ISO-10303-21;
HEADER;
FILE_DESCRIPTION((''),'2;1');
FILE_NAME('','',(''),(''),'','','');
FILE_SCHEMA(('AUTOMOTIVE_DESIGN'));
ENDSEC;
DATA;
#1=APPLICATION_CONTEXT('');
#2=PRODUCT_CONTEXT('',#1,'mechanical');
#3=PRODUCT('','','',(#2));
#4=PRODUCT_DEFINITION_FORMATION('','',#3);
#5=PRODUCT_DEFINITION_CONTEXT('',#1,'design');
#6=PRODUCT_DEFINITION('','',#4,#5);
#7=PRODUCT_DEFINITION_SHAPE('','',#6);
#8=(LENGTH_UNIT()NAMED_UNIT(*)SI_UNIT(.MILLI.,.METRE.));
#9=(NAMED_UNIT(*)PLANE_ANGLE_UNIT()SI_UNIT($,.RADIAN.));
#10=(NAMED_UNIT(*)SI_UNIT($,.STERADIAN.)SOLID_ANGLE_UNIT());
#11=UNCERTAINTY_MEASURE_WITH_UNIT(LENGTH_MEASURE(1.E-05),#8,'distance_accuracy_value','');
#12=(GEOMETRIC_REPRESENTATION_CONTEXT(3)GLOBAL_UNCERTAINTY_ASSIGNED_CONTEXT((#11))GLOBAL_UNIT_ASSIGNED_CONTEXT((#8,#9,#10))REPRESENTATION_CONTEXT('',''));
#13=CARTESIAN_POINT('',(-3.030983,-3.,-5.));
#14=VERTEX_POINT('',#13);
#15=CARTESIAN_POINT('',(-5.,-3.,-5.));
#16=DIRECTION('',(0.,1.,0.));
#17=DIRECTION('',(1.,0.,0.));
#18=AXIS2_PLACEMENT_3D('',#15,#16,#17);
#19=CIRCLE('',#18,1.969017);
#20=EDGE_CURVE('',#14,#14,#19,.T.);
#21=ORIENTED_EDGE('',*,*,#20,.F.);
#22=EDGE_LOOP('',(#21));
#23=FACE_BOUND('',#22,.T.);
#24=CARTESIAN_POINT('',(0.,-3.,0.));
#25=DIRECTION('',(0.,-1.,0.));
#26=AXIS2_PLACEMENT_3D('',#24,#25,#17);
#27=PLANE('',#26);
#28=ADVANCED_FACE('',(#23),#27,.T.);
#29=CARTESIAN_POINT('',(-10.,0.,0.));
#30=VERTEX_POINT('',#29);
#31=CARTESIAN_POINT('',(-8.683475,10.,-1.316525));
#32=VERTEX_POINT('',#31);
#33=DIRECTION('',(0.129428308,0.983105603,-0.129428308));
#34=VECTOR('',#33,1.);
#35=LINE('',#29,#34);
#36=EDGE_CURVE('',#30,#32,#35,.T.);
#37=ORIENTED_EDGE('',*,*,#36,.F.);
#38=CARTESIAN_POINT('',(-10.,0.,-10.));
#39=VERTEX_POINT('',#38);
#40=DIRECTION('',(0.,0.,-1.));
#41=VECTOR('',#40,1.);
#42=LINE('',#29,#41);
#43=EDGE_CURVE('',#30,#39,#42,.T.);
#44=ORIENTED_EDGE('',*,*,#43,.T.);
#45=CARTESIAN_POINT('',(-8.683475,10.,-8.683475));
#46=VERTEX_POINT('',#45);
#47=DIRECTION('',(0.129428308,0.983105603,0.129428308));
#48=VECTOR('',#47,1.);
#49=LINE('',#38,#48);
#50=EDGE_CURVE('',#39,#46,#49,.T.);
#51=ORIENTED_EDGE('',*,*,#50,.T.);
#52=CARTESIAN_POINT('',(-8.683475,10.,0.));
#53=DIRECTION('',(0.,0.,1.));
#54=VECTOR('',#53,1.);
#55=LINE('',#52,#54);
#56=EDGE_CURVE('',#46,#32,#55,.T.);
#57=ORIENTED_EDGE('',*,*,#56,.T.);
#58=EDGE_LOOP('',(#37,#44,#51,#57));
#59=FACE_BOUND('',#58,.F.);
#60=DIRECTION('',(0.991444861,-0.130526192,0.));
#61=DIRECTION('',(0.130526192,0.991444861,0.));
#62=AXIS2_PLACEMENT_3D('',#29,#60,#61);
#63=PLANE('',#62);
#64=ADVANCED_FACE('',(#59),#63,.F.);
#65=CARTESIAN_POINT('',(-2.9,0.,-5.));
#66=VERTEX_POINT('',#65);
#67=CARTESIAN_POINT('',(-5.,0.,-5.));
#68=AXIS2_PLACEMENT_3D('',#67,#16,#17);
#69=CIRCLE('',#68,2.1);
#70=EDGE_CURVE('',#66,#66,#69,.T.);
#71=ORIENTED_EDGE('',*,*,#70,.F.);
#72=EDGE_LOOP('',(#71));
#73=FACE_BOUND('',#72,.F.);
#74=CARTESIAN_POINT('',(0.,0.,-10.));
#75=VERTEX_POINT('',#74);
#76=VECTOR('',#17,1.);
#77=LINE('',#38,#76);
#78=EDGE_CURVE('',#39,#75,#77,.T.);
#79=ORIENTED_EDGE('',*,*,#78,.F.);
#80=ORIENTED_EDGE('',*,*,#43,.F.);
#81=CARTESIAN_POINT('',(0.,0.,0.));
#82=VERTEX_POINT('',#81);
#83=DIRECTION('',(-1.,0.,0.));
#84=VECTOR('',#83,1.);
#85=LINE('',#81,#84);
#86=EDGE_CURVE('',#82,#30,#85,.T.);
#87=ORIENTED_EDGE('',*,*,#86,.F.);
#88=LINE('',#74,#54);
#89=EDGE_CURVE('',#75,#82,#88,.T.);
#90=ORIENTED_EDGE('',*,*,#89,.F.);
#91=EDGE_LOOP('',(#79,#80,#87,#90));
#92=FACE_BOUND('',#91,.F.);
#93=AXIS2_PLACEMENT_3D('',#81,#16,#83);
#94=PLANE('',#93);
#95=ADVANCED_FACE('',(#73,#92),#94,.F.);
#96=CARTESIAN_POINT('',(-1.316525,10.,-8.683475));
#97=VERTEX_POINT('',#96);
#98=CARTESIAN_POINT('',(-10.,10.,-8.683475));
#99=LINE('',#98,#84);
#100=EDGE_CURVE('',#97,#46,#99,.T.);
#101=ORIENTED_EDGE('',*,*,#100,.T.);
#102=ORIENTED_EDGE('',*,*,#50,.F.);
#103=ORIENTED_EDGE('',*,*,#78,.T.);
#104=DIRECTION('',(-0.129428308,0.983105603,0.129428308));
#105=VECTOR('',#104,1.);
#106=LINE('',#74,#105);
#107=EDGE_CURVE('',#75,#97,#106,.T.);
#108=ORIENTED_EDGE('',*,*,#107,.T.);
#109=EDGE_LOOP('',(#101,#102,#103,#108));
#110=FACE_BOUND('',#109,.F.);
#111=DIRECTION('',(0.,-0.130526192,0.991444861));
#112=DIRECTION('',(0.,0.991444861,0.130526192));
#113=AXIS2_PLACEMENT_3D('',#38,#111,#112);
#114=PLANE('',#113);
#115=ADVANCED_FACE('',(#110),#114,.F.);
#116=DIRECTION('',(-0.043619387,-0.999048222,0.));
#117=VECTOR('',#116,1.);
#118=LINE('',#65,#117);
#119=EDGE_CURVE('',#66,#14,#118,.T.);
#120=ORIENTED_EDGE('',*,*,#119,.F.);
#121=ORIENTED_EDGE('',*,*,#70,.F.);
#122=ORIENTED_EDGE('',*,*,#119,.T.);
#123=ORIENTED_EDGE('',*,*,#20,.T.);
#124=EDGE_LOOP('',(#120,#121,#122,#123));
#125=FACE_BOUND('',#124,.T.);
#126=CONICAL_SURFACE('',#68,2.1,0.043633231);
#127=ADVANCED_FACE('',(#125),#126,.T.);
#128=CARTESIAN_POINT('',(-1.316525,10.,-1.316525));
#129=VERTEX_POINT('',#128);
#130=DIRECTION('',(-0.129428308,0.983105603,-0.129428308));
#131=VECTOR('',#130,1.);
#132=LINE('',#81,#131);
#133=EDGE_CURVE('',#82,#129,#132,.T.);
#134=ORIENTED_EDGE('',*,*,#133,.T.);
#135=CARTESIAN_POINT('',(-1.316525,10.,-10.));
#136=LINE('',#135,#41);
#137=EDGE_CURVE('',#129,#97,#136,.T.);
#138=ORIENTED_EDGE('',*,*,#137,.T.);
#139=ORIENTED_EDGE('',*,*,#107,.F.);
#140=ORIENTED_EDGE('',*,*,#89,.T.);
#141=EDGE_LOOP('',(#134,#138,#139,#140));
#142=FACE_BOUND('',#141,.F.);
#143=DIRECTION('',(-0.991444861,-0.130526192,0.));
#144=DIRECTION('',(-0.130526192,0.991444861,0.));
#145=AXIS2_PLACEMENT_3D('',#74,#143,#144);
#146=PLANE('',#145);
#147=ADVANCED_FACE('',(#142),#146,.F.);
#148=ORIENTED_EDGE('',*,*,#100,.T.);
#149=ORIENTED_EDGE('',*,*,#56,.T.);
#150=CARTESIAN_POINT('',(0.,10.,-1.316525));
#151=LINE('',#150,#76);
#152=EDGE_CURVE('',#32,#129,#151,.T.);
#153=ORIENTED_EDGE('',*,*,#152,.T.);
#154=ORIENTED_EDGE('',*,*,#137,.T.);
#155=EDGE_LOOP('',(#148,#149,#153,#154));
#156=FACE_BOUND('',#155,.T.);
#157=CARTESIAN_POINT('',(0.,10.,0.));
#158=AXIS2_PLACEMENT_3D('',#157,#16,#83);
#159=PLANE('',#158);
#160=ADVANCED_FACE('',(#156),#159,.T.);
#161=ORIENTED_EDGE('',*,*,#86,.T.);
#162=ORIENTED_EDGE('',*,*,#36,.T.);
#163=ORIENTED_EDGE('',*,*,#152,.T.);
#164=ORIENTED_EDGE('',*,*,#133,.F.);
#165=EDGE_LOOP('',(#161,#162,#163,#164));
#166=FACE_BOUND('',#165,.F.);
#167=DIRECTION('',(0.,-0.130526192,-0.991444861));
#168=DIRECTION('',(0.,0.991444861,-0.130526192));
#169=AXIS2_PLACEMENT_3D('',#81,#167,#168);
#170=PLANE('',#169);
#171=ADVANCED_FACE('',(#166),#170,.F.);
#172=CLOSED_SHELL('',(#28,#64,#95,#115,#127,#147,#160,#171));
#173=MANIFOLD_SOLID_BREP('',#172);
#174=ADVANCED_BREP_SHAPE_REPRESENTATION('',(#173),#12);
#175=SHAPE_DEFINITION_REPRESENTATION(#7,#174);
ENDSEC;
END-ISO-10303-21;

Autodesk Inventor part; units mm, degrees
ref_plane "YZ Plane" through (0, 0, 0) normal (1, 0, 0) x (0, 1, 0)
ref_plane "XZ Plane" through (0, 0, 0) normal (0, 1, 0) x (-1, 0, 0)
ref_plane "XY Plane" through (0, 0, 0) normal (0, 0, 1) x (1, 0, 0)
sketch "Sketch1" plane through (0, 0, 0) normal (0, 1, 0) x (-1, 0, 0)
  line L0 (0, 0) -> (10, 0)
  line L1 (10, 0) -> (10, -10)
  line L2 (10, -10) -> (0, -10)
  line L3 (0, -10) -> (0, 0)
  dimension "d0" = 10
  dimension "d1" = 10
extrude "Extrusion1" add sketch "Sketch1" along normal blind 10 draft -7.5
sketch "Sketch2" plane through (0, 0, 0) normal (0, -1, 0) x (1, 0, 0)
  circle A0 centre (-5, -5) radius 2.1
  line L0 (0, -10) -> (0, 0) projected
  line L1 (-10, -10) -> (0, -10) projected
  point P0 (0, -5)
  point P1 (-5, -10)
  dimension "d4" = 4.2
extrude "Extrusion2" add sketch "Sketch2" along normal blind 3 draft -2.5
properties part number "Press  Fit Foot A"
